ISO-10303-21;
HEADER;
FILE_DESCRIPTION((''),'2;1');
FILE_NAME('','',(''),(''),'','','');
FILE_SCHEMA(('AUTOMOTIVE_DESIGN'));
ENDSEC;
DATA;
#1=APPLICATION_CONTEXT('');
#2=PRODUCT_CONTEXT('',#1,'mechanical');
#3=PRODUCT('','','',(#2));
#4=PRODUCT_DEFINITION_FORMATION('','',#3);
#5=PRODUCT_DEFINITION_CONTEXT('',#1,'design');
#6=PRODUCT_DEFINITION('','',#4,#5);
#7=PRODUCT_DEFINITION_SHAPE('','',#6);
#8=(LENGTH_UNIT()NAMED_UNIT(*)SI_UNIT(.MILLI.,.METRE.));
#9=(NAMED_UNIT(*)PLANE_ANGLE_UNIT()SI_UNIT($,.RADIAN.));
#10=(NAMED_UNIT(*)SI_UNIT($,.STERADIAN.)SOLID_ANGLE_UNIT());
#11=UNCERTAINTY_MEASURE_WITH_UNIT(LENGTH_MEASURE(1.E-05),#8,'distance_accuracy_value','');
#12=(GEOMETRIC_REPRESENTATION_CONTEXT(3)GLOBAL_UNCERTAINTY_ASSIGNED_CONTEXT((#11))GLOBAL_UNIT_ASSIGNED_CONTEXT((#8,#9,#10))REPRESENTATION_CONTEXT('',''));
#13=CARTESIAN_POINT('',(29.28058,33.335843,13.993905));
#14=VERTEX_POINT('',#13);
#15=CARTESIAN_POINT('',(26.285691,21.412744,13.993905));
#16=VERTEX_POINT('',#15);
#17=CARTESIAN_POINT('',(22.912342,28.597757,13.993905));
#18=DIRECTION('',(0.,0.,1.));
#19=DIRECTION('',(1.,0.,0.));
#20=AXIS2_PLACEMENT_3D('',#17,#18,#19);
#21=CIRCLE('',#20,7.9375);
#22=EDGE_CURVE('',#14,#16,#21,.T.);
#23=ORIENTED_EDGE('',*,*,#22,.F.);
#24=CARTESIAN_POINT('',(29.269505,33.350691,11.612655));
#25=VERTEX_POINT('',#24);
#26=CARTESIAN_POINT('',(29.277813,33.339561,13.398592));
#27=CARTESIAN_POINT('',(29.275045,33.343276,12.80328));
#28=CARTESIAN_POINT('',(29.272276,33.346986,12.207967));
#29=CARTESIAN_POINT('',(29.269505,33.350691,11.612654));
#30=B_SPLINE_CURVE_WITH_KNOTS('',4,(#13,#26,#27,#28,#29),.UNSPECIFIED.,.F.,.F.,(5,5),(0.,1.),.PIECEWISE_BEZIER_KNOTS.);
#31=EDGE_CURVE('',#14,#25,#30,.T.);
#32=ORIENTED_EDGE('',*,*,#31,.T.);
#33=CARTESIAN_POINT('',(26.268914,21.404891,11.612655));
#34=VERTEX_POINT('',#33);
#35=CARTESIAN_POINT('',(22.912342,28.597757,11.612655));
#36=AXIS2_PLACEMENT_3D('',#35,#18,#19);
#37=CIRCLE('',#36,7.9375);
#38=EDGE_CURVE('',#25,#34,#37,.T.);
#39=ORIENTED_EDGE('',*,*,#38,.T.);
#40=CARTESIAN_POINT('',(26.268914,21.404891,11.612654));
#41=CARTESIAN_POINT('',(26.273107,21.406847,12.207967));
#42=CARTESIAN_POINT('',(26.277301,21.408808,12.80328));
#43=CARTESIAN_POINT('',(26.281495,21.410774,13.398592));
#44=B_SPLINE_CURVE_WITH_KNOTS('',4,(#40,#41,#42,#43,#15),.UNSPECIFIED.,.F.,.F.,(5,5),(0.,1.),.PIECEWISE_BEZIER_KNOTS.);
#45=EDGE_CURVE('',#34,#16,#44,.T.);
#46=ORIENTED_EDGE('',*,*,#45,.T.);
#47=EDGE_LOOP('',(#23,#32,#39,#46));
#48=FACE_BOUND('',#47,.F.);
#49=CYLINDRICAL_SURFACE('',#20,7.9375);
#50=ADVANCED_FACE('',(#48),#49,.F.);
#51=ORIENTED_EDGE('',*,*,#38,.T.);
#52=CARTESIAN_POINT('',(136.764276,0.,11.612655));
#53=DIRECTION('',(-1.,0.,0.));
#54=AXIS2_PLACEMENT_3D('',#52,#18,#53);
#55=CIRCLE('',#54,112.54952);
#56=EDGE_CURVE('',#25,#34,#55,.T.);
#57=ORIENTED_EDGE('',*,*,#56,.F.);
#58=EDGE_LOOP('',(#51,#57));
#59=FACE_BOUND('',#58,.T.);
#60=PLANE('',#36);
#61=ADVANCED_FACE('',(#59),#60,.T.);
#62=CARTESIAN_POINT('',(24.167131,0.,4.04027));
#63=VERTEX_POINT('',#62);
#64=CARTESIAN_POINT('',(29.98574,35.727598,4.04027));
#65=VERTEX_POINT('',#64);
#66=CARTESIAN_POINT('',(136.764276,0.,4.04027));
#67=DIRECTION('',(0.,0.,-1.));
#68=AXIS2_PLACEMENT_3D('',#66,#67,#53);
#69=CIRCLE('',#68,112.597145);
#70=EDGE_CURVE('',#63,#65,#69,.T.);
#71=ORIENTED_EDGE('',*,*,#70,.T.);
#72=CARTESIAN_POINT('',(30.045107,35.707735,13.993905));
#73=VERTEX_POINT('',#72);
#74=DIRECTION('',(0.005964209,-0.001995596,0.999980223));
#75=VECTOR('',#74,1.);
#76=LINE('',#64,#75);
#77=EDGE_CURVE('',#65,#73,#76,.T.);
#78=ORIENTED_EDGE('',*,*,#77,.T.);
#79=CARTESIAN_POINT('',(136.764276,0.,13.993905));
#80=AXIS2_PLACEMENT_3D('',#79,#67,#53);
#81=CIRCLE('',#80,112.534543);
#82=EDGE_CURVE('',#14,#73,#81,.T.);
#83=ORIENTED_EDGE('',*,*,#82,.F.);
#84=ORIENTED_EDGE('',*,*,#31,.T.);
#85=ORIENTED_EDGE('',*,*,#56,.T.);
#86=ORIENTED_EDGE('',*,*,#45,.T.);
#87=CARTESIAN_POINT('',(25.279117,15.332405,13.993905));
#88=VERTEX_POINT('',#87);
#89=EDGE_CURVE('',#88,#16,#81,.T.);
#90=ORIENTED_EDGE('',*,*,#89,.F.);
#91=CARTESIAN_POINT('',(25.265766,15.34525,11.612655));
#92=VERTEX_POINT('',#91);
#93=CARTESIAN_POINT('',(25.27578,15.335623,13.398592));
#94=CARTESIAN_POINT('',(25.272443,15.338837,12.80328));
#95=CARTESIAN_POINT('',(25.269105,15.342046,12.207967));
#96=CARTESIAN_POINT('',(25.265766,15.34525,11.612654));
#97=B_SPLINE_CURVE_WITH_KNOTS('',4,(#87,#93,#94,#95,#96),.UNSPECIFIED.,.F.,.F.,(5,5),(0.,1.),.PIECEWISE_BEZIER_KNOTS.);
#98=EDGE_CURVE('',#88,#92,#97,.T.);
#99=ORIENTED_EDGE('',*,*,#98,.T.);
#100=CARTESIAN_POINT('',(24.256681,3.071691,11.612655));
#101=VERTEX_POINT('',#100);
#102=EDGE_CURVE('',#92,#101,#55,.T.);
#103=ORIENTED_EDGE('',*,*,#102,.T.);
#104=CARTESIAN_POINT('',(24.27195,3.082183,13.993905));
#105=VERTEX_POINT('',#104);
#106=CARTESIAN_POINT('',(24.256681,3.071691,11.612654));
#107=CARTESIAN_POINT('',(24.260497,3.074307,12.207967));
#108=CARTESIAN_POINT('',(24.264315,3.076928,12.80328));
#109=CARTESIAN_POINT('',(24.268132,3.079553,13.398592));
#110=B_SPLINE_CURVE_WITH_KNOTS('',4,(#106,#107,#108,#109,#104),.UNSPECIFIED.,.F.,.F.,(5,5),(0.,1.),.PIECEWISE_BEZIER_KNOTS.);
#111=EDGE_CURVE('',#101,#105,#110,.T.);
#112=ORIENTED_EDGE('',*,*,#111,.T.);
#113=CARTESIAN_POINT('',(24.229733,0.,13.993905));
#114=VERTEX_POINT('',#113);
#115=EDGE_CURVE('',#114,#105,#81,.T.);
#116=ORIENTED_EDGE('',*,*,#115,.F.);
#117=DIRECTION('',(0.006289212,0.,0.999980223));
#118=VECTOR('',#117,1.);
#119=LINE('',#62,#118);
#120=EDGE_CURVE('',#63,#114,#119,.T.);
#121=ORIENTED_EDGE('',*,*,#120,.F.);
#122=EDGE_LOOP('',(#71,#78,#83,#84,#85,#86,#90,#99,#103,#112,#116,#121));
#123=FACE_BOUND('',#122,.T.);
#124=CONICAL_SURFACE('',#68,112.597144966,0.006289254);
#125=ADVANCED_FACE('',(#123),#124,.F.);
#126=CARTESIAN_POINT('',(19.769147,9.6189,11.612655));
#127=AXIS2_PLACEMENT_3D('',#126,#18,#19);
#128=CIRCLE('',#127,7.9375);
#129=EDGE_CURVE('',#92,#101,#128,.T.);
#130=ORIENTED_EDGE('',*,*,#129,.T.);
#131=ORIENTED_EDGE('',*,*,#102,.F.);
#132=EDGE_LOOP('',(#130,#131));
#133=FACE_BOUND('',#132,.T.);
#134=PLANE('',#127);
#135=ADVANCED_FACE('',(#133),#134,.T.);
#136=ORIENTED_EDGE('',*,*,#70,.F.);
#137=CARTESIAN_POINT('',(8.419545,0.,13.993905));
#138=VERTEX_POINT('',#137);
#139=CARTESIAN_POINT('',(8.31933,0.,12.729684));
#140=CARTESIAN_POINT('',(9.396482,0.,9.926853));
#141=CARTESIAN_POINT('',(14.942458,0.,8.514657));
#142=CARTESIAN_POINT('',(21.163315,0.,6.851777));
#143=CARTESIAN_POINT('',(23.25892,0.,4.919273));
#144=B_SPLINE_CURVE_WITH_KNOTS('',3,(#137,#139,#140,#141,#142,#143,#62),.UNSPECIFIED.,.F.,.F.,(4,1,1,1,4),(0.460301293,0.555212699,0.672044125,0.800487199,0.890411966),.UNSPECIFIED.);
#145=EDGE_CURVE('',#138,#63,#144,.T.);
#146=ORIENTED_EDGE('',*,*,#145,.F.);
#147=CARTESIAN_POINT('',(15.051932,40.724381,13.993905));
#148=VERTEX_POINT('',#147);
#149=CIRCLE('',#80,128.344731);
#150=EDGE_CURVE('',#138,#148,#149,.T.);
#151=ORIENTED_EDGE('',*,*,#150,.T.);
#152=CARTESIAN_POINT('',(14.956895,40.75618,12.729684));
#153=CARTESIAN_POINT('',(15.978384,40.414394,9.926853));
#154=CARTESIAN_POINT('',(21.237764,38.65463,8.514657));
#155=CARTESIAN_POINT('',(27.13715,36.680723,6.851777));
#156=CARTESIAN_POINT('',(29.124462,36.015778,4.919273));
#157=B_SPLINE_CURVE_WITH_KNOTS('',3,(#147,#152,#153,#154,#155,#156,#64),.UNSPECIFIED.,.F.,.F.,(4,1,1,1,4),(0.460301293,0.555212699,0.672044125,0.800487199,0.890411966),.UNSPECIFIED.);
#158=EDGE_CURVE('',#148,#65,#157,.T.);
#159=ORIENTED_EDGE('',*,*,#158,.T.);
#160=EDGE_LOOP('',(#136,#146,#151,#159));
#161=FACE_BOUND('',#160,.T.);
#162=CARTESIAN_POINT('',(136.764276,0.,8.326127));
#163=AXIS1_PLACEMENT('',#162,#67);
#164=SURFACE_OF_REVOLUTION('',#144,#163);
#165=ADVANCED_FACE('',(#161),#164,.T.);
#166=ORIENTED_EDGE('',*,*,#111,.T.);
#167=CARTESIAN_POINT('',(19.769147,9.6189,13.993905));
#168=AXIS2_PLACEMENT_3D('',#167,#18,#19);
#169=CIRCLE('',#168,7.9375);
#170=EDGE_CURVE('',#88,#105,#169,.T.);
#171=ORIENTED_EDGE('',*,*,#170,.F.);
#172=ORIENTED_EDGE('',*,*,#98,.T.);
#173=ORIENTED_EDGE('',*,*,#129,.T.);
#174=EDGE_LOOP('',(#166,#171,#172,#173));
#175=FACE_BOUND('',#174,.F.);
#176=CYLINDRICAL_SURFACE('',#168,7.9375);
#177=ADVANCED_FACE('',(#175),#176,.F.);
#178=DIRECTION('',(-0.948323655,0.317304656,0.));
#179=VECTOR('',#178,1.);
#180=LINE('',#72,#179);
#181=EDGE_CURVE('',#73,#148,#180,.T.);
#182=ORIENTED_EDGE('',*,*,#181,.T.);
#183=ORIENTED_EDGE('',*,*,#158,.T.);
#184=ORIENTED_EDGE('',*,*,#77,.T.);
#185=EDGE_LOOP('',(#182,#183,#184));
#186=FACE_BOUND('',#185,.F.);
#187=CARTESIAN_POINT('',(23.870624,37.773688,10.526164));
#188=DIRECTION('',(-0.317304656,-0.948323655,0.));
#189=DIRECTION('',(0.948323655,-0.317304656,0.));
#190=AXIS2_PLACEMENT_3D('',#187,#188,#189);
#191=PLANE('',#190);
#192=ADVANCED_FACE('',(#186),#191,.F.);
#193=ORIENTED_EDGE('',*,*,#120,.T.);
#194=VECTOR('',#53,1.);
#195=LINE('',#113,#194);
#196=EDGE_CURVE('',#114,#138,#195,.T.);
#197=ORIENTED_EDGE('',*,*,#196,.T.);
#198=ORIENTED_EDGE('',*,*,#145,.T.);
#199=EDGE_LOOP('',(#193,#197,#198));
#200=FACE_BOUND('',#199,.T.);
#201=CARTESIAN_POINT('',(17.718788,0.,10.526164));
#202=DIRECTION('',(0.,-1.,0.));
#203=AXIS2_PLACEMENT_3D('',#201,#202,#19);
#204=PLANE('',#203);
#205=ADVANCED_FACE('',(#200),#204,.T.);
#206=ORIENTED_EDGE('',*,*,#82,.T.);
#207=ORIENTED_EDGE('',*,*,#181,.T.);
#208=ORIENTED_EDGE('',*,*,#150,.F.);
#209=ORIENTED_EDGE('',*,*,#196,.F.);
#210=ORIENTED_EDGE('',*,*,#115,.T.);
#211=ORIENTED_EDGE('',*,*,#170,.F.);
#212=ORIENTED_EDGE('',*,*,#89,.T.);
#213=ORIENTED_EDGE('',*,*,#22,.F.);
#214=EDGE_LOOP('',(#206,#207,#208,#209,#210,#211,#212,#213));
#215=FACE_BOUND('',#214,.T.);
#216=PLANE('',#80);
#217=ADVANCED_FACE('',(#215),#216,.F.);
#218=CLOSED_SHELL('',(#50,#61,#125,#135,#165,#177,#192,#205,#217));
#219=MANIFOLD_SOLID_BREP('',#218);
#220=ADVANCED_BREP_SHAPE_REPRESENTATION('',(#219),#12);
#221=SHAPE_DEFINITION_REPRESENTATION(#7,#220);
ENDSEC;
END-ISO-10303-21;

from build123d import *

# Parameters (mm, degrees)
F1_ANGLE = 18.5
F2_R     = 7.9375
F3_DEPTH = 2.38125


with BuildPart() as f1:
    # F0 (on Front) → F1 (revolve)
    with BuildSketch(Plane.XZ):
        with BuildLine():
            Line((24.2297330525, 13.9939050769), (8.419544983, 13.9939050769))
            add(Edge.make_bspline(
                [(8.419544983, 13.9939050769), (8.3193296588, 12.729684062), (9.3964822164, 9.926852923), (14.9424578975, 8.5146570379), (21.1633145653, 6.8517774271), (23.2589200169, 4.9192732328), (24.1671312945, 4.0402704404)],
                knots=[0.4603012927, 0.4603012927, 0.4603012927, 0.4603012927, 0.5552126989, 0.6720441254, 0.8004871988, 0.8904119657, 0.8904119657, 0.8904119657, 0.8904119657], degree=3))
            Line((24.1671312945, 4.0402704404), (24.2297330525, 13.9939050769))
        make_face()
    revolve(axis=Axis((136.7642762608, 0, 8.3261267356), (0, 0, -1)), revolution_arc=F1_ANGLE)

    # F2 (on face) → F3 (cut)
    with BuildSketch(Plane.XY.offset(13.9939050769)):
        with Locations((22.9123420723, 28.597757378)):
            Circle(F2_R)
        with Locations((19.7691471926, 9.6189003033)):
            Circle(F2_R)
    extrude(amount=-F3_DEPTH, mode=Mode.SUBTRACT)


solid = f1.part
